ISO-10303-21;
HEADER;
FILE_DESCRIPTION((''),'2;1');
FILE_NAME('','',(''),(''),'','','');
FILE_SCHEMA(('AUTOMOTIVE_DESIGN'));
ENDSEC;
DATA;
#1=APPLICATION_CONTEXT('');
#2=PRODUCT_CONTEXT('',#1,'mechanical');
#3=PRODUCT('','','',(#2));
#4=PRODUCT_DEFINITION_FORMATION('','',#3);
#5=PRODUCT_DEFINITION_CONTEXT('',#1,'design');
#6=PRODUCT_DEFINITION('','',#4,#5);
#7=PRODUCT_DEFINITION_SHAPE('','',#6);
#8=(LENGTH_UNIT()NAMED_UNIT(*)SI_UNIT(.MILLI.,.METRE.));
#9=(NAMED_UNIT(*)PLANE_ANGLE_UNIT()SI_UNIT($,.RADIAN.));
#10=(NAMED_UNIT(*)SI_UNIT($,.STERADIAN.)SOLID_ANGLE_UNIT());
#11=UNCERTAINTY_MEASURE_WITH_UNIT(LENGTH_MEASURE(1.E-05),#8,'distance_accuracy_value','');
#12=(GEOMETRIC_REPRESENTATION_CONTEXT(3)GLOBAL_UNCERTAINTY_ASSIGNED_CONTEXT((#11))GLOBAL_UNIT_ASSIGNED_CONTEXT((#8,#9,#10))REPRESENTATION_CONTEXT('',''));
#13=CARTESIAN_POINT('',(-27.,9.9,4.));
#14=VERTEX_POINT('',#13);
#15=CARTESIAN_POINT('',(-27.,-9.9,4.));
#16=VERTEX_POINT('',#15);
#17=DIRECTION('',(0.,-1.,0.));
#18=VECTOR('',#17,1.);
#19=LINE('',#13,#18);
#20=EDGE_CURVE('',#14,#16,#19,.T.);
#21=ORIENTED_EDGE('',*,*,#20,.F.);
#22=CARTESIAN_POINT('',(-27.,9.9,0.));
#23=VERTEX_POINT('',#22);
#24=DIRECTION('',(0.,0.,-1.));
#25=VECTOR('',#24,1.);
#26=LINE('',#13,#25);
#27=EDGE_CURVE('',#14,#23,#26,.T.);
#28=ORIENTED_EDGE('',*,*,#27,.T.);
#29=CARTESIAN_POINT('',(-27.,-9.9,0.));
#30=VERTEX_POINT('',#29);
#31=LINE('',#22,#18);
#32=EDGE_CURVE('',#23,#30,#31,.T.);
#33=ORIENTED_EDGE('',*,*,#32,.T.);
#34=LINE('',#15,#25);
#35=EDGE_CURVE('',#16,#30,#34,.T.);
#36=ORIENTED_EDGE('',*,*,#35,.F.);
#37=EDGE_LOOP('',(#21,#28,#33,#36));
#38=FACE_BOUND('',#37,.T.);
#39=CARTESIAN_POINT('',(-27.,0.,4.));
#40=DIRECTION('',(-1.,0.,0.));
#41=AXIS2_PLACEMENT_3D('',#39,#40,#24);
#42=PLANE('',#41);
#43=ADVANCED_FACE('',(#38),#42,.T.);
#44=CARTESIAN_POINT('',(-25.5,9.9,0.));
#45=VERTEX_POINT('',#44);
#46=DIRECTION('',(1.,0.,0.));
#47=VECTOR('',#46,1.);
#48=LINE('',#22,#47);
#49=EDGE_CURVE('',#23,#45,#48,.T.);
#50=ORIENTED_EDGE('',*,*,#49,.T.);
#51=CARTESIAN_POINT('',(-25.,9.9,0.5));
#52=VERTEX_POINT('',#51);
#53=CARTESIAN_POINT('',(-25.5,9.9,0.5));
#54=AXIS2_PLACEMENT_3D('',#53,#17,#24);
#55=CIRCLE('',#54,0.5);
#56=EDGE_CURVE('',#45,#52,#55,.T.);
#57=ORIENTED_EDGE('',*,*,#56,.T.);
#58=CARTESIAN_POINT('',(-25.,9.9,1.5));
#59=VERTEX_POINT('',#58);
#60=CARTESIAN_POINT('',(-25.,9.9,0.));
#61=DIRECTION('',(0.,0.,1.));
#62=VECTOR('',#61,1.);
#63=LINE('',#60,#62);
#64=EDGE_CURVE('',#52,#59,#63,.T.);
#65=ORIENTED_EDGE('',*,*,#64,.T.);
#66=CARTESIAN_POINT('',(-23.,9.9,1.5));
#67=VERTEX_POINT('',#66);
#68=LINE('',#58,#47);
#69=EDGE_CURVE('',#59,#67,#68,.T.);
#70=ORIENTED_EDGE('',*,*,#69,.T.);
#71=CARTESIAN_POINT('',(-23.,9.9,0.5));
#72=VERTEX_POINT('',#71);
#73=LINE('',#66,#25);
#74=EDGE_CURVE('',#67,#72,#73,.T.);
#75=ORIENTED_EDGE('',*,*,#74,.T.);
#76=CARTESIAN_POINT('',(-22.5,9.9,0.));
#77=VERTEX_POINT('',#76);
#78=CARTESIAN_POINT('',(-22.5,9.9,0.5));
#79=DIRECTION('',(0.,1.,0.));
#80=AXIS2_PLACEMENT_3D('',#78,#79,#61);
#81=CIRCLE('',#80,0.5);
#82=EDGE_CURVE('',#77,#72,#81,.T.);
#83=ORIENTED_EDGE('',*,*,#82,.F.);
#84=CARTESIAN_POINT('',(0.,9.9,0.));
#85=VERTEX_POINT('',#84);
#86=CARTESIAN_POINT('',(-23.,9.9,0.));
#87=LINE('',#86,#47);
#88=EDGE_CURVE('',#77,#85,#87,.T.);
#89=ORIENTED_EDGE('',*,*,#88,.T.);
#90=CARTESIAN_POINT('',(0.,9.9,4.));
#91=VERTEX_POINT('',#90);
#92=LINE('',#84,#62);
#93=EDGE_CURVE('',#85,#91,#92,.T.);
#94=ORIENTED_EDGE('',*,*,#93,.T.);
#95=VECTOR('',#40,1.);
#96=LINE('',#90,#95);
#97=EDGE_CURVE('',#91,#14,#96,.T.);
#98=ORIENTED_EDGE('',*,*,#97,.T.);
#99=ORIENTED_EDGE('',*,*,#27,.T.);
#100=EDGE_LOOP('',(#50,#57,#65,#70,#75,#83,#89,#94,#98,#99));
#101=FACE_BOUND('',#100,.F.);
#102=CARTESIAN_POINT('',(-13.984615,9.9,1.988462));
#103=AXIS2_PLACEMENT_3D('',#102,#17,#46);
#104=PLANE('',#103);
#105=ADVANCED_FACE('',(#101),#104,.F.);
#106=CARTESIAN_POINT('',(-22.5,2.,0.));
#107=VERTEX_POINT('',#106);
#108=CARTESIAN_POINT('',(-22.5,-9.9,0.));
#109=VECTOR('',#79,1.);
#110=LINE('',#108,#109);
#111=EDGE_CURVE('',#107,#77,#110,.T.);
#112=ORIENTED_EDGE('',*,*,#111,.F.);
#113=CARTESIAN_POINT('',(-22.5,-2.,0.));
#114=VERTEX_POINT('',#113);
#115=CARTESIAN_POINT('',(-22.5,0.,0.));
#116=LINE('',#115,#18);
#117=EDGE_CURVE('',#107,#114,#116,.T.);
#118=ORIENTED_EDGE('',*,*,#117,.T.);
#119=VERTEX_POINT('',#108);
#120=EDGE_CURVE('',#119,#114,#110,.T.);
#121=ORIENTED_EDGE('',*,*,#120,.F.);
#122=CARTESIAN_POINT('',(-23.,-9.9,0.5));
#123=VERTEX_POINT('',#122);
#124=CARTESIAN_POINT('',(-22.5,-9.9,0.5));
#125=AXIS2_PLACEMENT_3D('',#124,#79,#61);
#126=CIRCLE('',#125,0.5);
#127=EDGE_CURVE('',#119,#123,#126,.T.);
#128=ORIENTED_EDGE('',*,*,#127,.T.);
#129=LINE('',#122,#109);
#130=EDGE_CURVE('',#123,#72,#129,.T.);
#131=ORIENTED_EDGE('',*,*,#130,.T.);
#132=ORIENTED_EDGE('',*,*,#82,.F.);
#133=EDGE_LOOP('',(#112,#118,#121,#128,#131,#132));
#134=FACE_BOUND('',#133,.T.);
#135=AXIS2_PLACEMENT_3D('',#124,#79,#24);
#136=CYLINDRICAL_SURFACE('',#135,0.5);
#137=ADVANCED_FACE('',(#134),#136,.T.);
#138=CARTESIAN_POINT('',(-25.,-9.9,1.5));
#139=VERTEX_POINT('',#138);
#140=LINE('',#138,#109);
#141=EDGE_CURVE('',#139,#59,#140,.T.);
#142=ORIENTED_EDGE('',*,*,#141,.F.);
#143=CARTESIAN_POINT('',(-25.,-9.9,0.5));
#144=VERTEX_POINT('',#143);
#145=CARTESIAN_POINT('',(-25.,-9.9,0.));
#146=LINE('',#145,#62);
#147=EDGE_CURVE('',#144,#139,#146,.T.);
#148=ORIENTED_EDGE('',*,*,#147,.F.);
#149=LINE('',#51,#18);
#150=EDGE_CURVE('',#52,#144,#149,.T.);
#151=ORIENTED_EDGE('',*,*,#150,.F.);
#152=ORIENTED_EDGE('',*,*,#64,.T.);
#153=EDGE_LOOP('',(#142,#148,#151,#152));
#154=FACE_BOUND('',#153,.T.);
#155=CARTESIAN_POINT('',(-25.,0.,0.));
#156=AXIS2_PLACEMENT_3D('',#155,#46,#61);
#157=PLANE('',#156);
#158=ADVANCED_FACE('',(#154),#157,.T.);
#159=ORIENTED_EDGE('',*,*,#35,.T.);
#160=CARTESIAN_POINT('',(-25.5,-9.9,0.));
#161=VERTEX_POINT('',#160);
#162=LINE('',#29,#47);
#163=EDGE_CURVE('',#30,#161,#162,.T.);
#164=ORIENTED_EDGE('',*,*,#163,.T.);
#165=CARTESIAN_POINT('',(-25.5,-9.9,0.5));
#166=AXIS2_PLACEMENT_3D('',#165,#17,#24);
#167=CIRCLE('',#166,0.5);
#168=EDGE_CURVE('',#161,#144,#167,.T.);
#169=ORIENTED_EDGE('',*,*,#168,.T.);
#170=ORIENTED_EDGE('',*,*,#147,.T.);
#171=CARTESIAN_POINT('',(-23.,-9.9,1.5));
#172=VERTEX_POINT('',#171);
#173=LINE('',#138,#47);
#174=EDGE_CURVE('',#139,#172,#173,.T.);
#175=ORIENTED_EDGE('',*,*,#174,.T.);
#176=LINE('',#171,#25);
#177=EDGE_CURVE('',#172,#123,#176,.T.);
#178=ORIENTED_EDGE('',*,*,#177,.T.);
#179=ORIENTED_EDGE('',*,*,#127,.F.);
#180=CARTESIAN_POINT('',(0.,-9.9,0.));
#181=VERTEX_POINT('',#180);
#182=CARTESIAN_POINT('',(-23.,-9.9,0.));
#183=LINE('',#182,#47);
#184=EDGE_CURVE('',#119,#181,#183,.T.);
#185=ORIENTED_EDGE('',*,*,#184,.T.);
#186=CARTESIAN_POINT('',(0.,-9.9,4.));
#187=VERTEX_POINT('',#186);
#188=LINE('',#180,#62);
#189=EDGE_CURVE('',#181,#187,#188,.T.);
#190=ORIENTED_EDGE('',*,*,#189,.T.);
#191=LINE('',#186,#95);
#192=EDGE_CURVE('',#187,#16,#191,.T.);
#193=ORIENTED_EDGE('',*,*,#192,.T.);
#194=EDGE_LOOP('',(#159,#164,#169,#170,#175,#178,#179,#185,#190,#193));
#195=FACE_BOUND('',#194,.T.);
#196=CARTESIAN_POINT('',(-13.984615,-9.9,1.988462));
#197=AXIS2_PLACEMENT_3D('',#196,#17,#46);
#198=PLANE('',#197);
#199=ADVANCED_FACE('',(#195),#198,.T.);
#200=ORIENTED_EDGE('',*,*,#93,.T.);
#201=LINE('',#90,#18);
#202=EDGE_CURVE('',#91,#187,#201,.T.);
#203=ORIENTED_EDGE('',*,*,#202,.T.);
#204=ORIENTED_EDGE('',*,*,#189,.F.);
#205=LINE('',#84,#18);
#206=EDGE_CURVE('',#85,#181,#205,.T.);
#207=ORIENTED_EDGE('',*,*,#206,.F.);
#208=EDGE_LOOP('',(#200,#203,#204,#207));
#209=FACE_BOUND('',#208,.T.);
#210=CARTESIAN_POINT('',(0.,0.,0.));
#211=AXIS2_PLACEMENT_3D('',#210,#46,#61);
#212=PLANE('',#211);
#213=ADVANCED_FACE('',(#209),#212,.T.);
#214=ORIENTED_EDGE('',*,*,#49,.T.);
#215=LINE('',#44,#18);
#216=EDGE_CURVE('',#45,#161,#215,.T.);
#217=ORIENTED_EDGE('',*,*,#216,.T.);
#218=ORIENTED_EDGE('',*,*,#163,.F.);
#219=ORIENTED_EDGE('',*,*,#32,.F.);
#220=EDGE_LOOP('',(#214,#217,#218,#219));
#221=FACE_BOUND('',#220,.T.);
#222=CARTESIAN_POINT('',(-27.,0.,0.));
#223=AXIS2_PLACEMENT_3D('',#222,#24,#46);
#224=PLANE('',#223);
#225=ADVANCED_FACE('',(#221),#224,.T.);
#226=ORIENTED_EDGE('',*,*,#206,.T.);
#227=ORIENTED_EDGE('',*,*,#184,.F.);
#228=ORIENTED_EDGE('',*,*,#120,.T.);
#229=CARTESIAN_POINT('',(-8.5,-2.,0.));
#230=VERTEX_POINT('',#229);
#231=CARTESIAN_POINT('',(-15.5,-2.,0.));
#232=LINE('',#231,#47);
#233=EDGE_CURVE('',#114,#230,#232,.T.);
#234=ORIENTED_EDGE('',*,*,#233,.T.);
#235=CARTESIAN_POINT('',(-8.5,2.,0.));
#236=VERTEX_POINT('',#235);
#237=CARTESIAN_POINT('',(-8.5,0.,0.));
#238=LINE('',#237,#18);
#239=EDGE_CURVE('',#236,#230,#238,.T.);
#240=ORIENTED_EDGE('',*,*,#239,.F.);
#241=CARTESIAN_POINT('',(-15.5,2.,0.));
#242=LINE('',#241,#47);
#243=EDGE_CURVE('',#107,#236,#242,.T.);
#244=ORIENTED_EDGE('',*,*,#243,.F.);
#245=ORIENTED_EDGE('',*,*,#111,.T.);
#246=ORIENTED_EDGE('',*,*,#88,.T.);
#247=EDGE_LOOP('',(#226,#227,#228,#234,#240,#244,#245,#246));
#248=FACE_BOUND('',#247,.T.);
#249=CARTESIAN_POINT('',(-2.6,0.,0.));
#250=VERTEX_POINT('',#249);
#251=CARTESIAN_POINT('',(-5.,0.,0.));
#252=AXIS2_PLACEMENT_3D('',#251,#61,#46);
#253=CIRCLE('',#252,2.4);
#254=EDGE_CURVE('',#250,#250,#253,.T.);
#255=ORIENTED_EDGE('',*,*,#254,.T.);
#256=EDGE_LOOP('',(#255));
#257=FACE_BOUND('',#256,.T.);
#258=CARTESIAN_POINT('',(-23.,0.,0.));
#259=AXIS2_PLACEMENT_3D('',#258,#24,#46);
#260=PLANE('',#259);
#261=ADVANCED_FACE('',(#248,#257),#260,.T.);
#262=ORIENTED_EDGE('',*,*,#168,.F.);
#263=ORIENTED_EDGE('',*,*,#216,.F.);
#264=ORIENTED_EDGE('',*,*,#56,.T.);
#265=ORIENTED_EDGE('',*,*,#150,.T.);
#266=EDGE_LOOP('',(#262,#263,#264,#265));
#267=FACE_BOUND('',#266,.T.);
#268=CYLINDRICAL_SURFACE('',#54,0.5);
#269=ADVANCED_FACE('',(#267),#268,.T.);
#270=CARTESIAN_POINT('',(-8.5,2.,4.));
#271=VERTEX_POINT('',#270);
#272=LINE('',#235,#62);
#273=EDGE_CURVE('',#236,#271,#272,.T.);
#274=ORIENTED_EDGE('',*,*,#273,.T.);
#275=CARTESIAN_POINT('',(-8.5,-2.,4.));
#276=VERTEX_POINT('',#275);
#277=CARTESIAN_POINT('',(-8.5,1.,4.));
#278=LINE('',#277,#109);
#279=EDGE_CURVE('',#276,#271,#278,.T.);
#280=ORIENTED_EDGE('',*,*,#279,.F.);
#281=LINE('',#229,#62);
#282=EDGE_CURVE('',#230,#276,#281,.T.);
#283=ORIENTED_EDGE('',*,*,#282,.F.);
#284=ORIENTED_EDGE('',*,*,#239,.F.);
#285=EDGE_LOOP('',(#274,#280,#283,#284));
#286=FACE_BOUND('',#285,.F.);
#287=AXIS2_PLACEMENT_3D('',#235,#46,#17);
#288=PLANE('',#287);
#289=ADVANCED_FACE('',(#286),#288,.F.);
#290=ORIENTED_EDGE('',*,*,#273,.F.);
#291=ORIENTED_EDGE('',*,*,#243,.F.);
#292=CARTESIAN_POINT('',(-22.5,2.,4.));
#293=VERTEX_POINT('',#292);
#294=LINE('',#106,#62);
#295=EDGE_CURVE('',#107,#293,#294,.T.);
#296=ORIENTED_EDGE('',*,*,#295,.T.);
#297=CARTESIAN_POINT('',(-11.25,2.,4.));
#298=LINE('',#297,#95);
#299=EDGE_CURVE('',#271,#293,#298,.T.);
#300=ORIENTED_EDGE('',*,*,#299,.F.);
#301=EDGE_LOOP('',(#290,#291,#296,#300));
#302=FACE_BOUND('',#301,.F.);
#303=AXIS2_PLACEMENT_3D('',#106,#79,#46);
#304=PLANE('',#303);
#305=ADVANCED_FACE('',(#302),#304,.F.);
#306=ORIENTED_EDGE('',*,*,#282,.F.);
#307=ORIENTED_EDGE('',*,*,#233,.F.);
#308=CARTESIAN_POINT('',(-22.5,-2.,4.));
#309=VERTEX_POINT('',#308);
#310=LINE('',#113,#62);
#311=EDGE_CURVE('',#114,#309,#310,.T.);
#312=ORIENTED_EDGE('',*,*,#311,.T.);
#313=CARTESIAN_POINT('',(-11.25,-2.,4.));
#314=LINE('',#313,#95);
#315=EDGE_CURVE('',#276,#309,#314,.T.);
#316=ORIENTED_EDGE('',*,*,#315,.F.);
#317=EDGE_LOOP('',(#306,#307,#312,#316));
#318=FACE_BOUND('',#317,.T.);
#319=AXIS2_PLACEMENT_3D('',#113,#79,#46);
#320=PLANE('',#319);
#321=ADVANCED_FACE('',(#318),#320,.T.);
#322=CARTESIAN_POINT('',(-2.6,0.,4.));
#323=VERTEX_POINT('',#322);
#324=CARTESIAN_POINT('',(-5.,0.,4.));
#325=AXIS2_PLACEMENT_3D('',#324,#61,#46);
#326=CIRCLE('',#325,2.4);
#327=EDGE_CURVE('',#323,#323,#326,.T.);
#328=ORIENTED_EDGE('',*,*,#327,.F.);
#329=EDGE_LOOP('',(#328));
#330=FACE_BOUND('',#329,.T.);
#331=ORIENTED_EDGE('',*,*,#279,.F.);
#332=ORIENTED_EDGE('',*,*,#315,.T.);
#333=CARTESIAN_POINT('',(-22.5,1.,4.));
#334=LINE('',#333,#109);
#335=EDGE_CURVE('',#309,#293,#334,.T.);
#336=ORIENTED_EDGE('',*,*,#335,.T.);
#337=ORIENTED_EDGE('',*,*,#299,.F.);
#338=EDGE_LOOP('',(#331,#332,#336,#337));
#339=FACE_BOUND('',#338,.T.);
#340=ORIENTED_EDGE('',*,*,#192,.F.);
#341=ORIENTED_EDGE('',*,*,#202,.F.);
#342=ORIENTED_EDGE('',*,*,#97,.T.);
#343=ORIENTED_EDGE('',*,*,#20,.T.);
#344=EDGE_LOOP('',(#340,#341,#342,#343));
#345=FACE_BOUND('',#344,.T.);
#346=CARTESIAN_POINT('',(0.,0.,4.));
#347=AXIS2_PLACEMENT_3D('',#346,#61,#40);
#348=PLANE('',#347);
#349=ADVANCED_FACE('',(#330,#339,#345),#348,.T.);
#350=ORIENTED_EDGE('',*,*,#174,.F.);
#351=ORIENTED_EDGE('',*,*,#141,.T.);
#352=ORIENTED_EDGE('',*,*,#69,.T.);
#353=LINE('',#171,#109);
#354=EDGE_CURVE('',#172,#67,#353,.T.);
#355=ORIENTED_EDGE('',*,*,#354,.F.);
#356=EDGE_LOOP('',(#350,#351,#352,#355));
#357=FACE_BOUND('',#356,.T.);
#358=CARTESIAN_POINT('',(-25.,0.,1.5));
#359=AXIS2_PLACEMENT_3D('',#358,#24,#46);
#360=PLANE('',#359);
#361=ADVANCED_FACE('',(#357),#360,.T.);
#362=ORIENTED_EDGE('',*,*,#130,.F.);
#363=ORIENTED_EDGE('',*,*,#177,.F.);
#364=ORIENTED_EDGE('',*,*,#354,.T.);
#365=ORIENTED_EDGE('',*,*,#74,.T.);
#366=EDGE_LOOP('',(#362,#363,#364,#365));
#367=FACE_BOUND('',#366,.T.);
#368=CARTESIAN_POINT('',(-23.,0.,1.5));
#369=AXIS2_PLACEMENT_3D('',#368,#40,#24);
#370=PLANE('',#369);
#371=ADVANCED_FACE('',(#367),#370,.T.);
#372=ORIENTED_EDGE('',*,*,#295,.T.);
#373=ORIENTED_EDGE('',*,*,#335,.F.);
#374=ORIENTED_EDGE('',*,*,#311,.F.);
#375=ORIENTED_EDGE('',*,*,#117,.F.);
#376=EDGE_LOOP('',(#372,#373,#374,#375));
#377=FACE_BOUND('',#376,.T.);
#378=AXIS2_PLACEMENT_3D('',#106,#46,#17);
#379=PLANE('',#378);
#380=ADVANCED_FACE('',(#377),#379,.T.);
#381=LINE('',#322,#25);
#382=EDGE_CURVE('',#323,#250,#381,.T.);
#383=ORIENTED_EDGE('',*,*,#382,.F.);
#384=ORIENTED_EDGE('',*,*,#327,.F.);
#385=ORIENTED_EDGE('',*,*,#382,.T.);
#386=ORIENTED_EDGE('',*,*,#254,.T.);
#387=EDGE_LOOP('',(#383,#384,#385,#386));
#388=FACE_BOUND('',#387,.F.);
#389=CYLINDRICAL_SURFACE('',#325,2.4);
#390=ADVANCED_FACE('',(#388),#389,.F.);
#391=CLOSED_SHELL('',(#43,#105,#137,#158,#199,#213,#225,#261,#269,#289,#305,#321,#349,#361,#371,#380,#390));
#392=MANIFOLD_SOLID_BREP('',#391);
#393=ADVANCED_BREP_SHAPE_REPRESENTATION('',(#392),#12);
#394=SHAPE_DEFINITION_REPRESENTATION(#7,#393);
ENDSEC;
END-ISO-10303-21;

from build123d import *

# Parameters (mm, degrees)
F1_DEPTH      = 9.9
F1_DEPTH_BACK = 9.9
F2_R          = 2.4
F3_DEPTH      = 4.001
F4_R          = 0.5
F5_W          = 14
F5_H          = 4
F6_DEPTH      = 4.001


with BuildPart() as f1:
    # F0 (on Front) → F1 (new body, two sides)
    with BuildSketch(Plane.XZ) as f1_sk:
        Polygon((-23, 0), (0, 0), (0, 4), (-27, 4), (-27, 0), (-25, 0), (-25, 1.5), (-23, 1.5), align=None)
    extrude(amount=F1_DEPTH)
    extrude(f1_sk.sketch, amount=-F1_DEPTH_BACK)

    # F2 (on face) → F3 (cut, through all)
    with BuildSketch(Plane.XY.offset(4)):
        with Locations((-5, 0)):
            Circle(F2_R)
    extrude(amount=-F3_DEPTH, mode=Mode.SUBTRACT)

    # F4
    f4_edges = [f1.edges().sort_by_distance(p)[0] for p in [
        (-25, 0, 0),
        (-23, 0, 0),
    ]]
    fillet(f4_edges, radius=F4_R)

    # F5 (on face) → F6 (cut, through all)
    with BuildSketch(Plane(origin=(0, 0, 0), x_dir=(1, 0, 0), z_dir=(0, 0, -1))):
        with Locations((-15.5, 0)):
            Rectangle(F5_W, F5_H)
    extrude(amount=-F6_DEPTH, mode=Mode.SUBTRACT)


solid = f1.part
